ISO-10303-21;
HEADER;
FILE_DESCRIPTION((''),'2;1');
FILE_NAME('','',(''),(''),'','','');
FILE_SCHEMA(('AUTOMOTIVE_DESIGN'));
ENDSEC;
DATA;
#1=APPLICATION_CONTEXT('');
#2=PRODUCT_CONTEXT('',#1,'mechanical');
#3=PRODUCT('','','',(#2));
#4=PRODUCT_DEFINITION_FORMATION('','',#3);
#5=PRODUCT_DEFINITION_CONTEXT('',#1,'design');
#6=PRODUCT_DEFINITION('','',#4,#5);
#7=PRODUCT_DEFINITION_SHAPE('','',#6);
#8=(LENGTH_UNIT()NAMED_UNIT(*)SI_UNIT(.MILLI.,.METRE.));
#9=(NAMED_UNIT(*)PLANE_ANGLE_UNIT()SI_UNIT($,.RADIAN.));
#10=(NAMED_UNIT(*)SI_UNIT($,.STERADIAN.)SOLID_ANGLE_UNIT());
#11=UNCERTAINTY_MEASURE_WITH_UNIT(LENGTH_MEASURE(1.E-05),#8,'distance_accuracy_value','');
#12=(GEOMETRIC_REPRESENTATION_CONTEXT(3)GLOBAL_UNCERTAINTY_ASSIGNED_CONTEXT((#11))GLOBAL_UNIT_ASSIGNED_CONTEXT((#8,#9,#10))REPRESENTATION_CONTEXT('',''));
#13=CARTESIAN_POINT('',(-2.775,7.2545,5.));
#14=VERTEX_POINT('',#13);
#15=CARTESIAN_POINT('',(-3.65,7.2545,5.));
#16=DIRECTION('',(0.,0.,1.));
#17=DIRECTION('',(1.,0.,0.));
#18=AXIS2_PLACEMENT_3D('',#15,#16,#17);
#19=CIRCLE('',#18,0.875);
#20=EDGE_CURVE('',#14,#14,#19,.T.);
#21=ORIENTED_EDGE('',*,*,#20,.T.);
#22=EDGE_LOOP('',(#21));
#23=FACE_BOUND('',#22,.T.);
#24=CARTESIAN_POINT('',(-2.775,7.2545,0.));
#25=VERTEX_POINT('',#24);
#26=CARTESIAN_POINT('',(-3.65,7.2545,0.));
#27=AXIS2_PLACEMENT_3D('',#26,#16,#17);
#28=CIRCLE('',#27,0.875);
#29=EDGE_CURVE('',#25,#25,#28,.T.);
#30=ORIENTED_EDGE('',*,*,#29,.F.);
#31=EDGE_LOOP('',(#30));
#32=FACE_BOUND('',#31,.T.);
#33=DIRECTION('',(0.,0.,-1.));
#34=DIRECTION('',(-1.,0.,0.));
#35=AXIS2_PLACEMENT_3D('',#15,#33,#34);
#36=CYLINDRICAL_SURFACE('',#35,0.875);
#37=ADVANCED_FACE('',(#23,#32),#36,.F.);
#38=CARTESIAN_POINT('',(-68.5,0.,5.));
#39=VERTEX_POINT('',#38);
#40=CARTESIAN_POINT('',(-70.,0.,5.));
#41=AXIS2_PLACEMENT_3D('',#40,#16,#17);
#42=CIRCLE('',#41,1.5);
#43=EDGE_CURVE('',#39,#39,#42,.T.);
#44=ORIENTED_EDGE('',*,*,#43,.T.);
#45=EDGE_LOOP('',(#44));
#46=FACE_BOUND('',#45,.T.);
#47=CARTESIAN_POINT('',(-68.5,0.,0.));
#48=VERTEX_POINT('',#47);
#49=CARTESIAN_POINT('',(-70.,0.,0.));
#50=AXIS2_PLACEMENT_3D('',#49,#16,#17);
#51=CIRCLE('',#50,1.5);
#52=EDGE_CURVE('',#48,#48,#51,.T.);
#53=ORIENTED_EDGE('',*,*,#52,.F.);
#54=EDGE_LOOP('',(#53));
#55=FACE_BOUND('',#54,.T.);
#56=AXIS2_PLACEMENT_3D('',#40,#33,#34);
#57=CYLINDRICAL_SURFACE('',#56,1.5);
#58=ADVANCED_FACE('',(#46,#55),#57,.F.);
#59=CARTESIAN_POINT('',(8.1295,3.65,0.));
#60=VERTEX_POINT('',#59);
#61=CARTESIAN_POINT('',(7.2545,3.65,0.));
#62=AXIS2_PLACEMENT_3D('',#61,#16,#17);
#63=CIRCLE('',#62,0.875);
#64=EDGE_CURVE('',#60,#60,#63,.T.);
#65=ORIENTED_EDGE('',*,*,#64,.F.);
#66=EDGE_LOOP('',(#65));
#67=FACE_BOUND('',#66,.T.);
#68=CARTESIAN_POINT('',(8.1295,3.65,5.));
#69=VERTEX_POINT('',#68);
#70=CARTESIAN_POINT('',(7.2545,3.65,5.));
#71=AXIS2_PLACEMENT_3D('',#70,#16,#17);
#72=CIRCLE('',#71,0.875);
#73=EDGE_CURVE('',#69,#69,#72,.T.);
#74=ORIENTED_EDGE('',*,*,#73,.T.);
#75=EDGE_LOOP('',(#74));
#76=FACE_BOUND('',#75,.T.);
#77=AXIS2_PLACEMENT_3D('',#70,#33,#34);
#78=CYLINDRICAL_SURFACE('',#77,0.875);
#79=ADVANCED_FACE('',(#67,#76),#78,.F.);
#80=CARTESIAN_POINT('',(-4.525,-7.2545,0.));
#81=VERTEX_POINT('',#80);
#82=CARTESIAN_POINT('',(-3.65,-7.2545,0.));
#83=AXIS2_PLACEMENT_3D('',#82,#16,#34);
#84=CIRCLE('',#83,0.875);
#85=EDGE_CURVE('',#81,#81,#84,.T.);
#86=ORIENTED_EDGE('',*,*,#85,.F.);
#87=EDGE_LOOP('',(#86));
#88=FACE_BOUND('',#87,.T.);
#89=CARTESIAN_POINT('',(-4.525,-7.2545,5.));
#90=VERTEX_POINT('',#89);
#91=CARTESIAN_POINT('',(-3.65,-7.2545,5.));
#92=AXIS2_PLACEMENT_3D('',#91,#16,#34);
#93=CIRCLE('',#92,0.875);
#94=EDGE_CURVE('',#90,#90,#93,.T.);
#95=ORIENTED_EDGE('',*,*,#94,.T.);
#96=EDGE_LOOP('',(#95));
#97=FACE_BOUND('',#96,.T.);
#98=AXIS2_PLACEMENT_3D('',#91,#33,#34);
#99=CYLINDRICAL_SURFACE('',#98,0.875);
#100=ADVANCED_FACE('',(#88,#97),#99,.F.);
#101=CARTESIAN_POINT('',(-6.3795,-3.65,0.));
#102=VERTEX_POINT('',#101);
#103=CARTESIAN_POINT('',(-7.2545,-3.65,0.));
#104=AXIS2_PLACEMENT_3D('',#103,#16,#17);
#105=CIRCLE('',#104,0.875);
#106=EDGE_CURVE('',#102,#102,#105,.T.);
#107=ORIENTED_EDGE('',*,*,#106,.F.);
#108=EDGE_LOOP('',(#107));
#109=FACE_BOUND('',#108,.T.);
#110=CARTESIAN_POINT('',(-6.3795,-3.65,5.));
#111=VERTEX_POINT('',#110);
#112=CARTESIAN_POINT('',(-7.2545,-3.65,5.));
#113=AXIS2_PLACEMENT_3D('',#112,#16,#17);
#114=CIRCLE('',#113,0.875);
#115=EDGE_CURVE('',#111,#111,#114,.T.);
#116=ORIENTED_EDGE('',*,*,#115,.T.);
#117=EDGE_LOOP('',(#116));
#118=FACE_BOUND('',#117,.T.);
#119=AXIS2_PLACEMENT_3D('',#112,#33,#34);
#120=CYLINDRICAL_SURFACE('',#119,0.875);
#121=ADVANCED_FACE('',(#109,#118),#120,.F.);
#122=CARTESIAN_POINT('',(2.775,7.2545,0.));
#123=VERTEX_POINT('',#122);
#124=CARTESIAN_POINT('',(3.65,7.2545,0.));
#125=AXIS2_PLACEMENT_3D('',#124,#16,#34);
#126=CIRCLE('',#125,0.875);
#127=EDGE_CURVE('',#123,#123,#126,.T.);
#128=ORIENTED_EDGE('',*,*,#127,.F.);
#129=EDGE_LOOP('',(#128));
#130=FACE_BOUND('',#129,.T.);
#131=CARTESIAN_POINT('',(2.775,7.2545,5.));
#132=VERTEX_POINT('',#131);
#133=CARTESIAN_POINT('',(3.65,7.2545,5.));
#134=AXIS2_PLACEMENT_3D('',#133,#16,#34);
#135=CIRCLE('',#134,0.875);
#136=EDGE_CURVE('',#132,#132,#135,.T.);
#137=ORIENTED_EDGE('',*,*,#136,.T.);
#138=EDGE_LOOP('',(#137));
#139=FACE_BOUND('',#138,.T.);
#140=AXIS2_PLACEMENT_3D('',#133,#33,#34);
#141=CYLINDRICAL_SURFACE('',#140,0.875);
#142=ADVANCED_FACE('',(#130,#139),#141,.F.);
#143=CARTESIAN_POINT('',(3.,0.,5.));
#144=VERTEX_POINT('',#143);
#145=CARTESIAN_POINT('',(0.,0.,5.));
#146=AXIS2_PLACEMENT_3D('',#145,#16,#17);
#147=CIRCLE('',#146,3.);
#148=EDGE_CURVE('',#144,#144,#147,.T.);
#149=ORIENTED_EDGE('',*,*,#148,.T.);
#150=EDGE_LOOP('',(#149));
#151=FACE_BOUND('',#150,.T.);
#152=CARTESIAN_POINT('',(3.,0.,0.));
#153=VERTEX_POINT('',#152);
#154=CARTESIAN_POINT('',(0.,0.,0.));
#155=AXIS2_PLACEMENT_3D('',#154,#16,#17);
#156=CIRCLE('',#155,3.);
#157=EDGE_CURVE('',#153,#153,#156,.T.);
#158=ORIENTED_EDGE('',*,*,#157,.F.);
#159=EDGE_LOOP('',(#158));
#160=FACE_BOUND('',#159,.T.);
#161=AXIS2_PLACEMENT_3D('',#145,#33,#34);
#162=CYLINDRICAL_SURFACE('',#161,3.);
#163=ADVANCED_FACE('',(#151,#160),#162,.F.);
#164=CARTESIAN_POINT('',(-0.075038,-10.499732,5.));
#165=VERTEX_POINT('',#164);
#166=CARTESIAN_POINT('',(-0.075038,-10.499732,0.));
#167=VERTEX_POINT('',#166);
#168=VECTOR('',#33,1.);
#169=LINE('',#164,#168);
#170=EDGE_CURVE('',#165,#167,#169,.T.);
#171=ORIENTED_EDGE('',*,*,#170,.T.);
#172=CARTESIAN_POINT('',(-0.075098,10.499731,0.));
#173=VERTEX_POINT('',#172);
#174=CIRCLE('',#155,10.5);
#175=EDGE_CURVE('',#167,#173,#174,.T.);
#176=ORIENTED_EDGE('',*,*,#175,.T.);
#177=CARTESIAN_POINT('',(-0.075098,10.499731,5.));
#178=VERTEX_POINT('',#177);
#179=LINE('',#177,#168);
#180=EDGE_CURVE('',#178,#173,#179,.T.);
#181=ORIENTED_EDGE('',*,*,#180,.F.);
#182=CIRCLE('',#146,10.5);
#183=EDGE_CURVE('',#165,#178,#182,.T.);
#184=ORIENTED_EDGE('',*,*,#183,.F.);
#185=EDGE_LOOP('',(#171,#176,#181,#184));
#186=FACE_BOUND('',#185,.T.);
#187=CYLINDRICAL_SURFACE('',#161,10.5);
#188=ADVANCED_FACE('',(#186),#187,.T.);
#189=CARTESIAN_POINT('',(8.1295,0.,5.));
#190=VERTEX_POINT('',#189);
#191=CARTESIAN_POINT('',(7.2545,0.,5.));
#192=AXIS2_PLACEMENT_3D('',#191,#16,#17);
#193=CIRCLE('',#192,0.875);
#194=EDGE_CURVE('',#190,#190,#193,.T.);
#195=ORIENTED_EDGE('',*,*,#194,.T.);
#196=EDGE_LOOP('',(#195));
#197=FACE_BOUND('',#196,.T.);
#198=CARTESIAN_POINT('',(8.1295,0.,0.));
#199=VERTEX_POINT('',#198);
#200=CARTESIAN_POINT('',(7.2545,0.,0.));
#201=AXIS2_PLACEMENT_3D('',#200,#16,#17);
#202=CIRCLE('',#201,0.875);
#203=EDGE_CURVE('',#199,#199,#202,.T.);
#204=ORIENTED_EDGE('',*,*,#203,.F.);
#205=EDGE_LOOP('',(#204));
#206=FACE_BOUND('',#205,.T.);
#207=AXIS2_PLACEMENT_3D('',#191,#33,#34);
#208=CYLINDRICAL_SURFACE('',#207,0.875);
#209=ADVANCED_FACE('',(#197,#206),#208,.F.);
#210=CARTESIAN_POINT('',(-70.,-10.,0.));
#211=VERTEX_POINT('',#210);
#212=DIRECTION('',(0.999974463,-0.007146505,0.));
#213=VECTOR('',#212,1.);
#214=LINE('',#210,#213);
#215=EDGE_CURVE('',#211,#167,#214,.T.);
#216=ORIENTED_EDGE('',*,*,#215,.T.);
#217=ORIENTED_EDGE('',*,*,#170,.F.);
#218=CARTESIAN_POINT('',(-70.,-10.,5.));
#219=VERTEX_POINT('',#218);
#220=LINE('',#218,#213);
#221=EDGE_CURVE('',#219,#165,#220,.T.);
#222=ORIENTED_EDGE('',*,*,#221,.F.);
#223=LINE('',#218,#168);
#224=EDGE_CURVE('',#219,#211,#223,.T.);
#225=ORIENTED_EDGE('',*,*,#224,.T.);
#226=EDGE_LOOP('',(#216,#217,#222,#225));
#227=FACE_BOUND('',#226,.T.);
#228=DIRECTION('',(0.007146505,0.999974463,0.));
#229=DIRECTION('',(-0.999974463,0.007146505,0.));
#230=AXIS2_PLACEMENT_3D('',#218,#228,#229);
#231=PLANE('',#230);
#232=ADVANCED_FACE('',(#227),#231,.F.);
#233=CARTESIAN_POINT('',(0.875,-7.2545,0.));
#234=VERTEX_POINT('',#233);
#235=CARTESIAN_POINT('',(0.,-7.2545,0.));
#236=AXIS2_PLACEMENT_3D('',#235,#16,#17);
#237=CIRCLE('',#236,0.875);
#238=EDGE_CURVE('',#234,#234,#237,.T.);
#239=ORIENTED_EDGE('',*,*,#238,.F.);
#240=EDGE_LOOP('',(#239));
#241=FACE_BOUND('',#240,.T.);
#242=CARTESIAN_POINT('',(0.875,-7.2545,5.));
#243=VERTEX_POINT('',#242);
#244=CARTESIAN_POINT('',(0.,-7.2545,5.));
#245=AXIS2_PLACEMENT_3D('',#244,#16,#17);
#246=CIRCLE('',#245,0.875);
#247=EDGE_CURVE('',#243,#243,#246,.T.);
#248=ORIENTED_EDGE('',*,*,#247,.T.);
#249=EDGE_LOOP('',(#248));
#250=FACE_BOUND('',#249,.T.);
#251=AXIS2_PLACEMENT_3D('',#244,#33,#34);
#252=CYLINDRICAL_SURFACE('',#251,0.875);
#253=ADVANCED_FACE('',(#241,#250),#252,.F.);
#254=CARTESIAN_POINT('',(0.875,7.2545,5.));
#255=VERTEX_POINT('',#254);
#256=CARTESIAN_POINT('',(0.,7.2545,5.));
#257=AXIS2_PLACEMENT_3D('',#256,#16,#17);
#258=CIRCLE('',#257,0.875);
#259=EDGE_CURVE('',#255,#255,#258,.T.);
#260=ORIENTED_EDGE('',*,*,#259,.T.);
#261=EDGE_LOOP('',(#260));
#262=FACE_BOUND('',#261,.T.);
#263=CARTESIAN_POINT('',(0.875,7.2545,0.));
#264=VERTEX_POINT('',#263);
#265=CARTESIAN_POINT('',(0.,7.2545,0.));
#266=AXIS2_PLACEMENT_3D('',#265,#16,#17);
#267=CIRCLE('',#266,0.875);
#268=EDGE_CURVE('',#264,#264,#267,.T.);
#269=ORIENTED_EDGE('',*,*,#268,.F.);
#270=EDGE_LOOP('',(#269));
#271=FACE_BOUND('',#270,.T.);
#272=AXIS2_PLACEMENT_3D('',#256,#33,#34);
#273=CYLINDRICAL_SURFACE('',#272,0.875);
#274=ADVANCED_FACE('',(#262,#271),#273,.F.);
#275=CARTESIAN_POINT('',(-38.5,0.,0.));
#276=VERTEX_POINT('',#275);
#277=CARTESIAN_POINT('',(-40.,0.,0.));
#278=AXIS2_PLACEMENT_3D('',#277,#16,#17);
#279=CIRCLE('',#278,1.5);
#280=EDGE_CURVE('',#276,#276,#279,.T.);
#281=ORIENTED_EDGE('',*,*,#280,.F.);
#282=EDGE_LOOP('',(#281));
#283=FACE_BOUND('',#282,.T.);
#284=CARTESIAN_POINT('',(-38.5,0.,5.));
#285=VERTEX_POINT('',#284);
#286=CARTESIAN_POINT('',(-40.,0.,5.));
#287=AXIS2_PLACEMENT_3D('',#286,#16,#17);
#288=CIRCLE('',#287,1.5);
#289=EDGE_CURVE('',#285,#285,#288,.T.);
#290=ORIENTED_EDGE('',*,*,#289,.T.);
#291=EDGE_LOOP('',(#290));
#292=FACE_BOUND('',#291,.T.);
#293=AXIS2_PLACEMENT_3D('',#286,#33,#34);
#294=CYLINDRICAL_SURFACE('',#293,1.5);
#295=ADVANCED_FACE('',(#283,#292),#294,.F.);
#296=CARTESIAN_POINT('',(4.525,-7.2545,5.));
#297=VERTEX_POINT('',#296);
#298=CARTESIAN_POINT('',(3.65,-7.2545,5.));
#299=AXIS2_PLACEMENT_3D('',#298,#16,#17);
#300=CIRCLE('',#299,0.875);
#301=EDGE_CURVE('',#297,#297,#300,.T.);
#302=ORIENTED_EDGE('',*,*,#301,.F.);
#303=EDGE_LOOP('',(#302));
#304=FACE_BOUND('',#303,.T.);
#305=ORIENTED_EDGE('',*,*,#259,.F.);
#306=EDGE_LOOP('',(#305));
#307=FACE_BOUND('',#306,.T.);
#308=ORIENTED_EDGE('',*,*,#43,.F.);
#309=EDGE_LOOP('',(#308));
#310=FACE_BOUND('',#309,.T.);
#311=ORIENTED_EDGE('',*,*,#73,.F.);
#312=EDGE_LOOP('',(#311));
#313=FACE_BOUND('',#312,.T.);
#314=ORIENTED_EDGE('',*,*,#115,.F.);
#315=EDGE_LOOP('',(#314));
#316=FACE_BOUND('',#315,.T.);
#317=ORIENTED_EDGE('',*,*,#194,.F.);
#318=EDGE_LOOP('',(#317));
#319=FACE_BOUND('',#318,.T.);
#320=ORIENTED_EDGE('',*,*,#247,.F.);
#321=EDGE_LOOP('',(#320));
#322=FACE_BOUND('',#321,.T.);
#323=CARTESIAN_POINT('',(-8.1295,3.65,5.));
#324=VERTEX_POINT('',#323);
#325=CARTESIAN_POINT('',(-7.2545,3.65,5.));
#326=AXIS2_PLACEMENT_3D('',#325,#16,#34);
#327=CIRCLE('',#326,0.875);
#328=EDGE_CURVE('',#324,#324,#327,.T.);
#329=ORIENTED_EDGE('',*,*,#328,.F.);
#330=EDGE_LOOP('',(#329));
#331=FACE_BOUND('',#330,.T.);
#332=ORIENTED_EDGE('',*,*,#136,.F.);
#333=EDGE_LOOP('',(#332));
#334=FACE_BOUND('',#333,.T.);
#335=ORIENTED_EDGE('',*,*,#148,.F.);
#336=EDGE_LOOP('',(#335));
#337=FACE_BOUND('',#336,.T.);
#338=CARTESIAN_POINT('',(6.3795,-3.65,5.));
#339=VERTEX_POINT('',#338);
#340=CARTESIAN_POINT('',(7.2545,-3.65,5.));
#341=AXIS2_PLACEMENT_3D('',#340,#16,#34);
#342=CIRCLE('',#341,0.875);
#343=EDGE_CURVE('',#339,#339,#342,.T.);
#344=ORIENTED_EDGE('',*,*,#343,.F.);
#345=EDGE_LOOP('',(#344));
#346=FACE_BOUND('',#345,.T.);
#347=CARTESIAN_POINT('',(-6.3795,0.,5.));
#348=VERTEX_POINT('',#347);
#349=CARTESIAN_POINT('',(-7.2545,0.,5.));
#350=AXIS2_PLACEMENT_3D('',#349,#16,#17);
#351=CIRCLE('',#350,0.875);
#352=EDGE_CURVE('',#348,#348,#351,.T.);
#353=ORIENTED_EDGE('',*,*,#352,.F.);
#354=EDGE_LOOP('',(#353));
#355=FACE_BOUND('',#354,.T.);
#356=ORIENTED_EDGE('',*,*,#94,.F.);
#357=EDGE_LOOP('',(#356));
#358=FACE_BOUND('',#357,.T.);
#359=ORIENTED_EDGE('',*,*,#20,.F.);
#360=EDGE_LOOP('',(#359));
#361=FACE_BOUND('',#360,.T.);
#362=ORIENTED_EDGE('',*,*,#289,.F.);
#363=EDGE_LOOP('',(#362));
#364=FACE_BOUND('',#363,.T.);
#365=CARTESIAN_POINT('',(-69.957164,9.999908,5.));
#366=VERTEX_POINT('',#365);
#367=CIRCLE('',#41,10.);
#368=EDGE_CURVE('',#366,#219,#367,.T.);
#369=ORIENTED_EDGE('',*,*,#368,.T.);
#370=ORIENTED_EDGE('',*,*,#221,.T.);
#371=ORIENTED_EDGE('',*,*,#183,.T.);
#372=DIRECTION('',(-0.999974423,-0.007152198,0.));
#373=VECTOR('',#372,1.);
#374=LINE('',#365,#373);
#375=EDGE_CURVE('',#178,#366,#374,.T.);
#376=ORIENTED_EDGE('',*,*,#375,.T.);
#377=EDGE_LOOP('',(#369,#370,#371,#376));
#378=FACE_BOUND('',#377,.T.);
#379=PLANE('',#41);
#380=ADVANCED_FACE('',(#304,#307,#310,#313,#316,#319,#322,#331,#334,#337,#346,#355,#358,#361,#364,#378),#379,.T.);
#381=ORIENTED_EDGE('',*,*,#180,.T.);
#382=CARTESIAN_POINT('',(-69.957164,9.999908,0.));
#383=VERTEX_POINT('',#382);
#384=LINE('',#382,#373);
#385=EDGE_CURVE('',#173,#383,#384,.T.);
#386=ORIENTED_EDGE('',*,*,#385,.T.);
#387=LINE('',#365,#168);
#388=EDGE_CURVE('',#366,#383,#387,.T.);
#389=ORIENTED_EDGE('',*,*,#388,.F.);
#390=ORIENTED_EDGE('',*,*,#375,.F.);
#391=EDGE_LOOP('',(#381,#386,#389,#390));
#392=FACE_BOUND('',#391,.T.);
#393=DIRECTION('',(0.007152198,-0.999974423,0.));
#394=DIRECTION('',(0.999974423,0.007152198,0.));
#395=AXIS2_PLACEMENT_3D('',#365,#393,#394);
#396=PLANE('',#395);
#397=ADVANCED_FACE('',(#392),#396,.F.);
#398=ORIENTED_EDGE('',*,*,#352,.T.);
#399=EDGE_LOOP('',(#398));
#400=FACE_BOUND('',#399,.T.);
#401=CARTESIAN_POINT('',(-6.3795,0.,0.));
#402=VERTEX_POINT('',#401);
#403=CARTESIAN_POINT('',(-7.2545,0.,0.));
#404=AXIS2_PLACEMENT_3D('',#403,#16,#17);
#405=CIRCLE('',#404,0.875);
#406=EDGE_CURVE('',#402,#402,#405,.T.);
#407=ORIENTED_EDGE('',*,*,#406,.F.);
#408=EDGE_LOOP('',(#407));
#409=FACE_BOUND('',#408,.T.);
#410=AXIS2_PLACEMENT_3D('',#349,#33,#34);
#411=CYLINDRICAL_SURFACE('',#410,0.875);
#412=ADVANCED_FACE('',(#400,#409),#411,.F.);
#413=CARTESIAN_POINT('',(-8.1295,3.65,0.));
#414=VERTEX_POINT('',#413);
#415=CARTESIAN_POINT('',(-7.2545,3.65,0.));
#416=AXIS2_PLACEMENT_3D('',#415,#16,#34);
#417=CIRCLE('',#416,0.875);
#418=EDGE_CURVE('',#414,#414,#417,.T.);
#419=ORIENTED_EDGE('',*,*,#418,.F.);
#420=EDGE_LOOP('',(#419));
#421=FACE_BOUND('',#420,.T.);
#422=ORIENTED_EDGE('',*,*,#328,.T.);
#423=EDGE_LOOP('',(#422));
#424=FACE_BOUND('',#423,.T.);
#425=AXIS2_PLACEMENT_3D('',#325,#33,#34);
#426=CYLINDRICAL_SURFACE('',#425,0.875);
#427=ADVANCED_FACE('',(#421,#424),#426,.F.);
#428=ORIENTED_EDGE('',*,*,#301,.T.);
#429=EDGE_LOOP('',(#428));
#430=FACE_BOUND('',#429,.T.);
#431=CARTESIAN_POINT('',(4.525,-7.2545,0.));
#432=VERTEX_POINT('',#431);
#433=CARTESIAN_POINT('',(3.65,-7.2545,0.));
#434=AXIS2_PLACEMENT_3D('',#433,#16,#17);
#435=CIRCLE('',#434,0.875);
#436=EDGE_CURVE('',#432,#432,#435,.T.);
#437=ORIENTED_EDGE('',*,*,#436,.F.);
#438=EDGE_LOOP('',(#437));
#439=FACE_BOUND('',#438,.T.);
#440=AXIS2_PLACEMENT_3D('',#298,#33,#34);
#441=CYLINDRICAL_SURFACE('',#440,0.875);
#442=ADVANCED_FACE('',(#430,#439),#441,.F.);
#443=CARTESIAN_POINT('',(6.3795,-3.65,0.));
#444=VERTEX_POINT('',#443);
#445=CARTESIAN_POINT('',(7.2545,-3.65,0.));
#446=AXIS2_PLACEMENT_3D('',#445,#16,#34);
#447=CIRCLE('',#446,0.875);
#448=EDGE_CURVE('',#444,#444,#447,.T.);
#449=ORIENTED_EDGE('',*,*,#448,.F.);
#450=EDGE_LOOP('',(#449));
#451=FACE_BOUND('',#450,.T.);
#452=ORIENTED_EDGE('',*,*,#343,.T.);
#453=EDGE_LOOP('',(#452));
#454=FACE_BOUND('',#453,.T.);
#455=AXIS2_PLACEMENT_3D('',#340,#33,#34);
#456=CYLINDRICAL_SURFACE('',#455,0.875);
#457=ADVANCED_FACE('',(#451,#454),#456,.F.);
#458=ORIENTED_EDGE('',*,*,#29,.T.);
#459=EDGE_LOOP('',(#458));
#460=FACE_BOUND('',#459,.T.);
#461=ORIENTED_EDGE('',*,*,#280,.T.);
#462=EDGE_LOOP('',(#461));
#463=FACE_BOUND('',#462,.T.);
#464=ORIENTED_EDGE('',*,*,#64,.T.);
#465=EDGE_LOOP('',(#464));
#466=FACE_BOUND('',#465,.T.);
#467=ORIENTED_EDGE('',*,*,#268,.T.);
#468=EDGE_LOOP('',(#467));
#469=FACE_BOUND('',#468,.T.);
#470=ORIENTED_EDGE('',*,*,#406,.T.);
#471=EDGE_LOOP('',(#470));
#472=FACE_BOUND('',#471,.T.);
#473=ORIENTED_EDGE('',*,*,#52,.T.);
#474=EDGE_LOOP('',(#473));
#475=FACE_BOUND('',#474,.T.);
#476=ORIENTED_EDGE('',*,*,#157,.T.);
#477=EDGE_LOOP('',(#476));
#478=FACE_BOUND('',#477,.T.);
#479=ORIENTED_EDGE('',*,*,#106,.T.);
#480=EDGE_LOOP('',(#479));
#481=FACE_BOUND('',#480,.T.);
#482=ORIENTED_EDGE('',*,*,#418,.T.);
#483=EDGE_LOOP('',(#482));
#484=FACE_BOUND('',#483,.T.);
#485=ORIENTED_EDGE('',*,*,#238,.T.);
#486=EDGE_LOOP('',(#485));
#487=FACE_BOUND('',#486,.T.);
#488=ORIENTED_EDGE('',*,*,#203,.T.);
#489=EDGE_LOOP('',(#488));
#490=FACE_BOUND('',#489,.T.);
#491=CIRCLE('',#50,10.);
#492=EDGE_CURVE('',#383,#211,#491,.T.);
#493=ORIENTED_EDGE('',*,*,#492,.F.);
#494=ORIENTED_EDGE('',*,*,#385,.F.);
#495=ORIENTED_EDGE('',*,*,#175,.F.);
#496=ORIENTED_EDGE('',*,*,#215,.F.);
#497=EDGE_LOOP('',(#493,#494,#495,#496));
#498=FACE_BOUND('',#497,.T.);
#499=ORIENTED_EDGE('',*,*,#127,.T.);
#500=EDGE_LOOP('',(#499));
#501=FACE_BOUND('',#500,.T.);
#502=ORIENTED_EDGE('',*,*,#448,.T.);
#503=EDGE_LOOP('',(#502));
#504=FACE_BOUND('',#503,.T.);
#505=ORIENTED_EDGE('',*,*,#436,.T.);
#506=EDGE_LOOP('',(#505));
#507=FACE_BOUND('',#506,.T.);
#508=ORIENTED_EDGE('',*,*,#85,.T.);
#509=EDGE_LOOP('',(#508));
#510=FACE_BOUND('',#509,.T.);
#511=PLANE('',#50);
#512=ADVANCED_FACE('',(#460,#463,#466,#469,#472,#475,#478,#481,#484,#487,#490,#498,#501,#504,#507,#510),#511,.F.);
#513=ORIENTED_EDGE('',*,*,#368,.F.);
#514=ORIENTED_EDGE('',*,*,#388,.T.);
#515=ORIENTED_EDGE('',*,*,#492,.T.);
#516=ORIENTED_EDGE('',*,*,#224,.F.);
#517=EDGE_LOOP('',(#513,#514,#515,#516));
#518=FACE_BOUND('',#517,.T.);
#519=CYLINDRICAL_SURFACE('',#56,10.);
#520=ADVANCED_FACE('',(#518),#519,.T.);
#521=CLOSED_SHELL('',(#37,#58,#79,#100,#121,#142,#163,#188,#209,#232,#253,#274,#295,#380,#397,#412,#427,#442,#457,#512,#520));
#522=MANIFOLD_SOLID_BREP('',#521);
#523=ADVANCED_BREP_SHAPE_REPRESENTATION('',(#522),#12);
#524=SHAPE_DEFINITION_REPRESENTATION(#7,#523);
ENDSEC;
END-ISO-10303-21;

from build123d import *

# Parameters (mm, degrees)
ESQUISSE1_R        = 0.875
ESQUISSE1_R_2      = 1.5
ESQUISSE1_R_3      = 3
BOSS_EXTRU_1_DEPTH = 5


with BuildPart() as part:
    # Esquisse1 → Boss.-Extru.1 (new body)
    with BuildSketch(Plane.XY):
        with BuildLine():
            Line((-70, -10), (-0.075038305, -10.499731866))
            ThreePointArc((-0.075038305, -10.499731866), (10.5, 2.989e-05), (-0.075098083, 10.499731438))
            Line((-0.075098083, 10.499731438), (-69.957164253, 9.999908255))
            ThreePointArc((-69.957164253, 9.999908255), (-79.999977064, 0.021417923), (-70, -10))
        make_face()
        with Locations((7.2545, 3.65)):
            Circle(ESQUISSE1_R, mode=Mode.SUBTRACT)
        with Locations((7.2545, 0)):
            Circle(ESQUISSE1_R, mode=Mode.SUBTRACT)
        with Locations(Location((7.2545, -3.65, 0), (0, 0, 180))):
            Circle(ESQUISSE1_R, mode=Mode.SUBTRACT)
        with Locations((3.65, -7.2545)):
            Circle(ESQUISSE1_R, mode=Mode.SUBTRACT)
        with Locations((0, -7.2545)):
            Circle(ESQUISSE1_R, mode=Mode.SUBTRACT)
        with Locations(Location((-3.65, -7.2545, 0), (0, 0, 180))):
            Circle(ESQUISSE1_R, mode=Mode.SUBTRACT)
        with Locations((-7.2545, -3.65)):
            Circle(ESQUISSE1_R, mode=Mode.SUBTRACT)
        with Locations((-7.2545, 0)):
            Circle(ESQUISSE1_R, mode=Mode.SUBTRACT)
        with Locations(Location((-7.2545, 3.65, 0), (0, 0, 180))):
            Circle(ESQUISSE1_R, mode=Mode.SUBTRACT)
        with Locations((-3.65, 7.2545)):
            Circle(ESQUISSE1_R, mode=Mode.SUBTRACT)
        with Locations((0, 7.2545)):
            Circle(ESQUISSE1_R, mode=Mode.SUBTRACT)
        with Locations(Location((3.65, 7.2545, 0), (0, 0, 180))):
            Circle(ESQUISSE1_R, mode=Mode.SUBTRACT)
        with Locations((-70, 0)):
            Circle(ESQUISSE1_R_2, mode=Mode.SUBTRACT)
        with Locations((-40, 0)):
            Circle(ESQUISSE1_R_2, mode=Mode.SUBTRACT)
        Circle(ESQUISSE1_R_3, mode=Mode.SUBTRACT)
    extrude(amount=BOSS_EXTRU_1_DEPTH)


solid = part.part
